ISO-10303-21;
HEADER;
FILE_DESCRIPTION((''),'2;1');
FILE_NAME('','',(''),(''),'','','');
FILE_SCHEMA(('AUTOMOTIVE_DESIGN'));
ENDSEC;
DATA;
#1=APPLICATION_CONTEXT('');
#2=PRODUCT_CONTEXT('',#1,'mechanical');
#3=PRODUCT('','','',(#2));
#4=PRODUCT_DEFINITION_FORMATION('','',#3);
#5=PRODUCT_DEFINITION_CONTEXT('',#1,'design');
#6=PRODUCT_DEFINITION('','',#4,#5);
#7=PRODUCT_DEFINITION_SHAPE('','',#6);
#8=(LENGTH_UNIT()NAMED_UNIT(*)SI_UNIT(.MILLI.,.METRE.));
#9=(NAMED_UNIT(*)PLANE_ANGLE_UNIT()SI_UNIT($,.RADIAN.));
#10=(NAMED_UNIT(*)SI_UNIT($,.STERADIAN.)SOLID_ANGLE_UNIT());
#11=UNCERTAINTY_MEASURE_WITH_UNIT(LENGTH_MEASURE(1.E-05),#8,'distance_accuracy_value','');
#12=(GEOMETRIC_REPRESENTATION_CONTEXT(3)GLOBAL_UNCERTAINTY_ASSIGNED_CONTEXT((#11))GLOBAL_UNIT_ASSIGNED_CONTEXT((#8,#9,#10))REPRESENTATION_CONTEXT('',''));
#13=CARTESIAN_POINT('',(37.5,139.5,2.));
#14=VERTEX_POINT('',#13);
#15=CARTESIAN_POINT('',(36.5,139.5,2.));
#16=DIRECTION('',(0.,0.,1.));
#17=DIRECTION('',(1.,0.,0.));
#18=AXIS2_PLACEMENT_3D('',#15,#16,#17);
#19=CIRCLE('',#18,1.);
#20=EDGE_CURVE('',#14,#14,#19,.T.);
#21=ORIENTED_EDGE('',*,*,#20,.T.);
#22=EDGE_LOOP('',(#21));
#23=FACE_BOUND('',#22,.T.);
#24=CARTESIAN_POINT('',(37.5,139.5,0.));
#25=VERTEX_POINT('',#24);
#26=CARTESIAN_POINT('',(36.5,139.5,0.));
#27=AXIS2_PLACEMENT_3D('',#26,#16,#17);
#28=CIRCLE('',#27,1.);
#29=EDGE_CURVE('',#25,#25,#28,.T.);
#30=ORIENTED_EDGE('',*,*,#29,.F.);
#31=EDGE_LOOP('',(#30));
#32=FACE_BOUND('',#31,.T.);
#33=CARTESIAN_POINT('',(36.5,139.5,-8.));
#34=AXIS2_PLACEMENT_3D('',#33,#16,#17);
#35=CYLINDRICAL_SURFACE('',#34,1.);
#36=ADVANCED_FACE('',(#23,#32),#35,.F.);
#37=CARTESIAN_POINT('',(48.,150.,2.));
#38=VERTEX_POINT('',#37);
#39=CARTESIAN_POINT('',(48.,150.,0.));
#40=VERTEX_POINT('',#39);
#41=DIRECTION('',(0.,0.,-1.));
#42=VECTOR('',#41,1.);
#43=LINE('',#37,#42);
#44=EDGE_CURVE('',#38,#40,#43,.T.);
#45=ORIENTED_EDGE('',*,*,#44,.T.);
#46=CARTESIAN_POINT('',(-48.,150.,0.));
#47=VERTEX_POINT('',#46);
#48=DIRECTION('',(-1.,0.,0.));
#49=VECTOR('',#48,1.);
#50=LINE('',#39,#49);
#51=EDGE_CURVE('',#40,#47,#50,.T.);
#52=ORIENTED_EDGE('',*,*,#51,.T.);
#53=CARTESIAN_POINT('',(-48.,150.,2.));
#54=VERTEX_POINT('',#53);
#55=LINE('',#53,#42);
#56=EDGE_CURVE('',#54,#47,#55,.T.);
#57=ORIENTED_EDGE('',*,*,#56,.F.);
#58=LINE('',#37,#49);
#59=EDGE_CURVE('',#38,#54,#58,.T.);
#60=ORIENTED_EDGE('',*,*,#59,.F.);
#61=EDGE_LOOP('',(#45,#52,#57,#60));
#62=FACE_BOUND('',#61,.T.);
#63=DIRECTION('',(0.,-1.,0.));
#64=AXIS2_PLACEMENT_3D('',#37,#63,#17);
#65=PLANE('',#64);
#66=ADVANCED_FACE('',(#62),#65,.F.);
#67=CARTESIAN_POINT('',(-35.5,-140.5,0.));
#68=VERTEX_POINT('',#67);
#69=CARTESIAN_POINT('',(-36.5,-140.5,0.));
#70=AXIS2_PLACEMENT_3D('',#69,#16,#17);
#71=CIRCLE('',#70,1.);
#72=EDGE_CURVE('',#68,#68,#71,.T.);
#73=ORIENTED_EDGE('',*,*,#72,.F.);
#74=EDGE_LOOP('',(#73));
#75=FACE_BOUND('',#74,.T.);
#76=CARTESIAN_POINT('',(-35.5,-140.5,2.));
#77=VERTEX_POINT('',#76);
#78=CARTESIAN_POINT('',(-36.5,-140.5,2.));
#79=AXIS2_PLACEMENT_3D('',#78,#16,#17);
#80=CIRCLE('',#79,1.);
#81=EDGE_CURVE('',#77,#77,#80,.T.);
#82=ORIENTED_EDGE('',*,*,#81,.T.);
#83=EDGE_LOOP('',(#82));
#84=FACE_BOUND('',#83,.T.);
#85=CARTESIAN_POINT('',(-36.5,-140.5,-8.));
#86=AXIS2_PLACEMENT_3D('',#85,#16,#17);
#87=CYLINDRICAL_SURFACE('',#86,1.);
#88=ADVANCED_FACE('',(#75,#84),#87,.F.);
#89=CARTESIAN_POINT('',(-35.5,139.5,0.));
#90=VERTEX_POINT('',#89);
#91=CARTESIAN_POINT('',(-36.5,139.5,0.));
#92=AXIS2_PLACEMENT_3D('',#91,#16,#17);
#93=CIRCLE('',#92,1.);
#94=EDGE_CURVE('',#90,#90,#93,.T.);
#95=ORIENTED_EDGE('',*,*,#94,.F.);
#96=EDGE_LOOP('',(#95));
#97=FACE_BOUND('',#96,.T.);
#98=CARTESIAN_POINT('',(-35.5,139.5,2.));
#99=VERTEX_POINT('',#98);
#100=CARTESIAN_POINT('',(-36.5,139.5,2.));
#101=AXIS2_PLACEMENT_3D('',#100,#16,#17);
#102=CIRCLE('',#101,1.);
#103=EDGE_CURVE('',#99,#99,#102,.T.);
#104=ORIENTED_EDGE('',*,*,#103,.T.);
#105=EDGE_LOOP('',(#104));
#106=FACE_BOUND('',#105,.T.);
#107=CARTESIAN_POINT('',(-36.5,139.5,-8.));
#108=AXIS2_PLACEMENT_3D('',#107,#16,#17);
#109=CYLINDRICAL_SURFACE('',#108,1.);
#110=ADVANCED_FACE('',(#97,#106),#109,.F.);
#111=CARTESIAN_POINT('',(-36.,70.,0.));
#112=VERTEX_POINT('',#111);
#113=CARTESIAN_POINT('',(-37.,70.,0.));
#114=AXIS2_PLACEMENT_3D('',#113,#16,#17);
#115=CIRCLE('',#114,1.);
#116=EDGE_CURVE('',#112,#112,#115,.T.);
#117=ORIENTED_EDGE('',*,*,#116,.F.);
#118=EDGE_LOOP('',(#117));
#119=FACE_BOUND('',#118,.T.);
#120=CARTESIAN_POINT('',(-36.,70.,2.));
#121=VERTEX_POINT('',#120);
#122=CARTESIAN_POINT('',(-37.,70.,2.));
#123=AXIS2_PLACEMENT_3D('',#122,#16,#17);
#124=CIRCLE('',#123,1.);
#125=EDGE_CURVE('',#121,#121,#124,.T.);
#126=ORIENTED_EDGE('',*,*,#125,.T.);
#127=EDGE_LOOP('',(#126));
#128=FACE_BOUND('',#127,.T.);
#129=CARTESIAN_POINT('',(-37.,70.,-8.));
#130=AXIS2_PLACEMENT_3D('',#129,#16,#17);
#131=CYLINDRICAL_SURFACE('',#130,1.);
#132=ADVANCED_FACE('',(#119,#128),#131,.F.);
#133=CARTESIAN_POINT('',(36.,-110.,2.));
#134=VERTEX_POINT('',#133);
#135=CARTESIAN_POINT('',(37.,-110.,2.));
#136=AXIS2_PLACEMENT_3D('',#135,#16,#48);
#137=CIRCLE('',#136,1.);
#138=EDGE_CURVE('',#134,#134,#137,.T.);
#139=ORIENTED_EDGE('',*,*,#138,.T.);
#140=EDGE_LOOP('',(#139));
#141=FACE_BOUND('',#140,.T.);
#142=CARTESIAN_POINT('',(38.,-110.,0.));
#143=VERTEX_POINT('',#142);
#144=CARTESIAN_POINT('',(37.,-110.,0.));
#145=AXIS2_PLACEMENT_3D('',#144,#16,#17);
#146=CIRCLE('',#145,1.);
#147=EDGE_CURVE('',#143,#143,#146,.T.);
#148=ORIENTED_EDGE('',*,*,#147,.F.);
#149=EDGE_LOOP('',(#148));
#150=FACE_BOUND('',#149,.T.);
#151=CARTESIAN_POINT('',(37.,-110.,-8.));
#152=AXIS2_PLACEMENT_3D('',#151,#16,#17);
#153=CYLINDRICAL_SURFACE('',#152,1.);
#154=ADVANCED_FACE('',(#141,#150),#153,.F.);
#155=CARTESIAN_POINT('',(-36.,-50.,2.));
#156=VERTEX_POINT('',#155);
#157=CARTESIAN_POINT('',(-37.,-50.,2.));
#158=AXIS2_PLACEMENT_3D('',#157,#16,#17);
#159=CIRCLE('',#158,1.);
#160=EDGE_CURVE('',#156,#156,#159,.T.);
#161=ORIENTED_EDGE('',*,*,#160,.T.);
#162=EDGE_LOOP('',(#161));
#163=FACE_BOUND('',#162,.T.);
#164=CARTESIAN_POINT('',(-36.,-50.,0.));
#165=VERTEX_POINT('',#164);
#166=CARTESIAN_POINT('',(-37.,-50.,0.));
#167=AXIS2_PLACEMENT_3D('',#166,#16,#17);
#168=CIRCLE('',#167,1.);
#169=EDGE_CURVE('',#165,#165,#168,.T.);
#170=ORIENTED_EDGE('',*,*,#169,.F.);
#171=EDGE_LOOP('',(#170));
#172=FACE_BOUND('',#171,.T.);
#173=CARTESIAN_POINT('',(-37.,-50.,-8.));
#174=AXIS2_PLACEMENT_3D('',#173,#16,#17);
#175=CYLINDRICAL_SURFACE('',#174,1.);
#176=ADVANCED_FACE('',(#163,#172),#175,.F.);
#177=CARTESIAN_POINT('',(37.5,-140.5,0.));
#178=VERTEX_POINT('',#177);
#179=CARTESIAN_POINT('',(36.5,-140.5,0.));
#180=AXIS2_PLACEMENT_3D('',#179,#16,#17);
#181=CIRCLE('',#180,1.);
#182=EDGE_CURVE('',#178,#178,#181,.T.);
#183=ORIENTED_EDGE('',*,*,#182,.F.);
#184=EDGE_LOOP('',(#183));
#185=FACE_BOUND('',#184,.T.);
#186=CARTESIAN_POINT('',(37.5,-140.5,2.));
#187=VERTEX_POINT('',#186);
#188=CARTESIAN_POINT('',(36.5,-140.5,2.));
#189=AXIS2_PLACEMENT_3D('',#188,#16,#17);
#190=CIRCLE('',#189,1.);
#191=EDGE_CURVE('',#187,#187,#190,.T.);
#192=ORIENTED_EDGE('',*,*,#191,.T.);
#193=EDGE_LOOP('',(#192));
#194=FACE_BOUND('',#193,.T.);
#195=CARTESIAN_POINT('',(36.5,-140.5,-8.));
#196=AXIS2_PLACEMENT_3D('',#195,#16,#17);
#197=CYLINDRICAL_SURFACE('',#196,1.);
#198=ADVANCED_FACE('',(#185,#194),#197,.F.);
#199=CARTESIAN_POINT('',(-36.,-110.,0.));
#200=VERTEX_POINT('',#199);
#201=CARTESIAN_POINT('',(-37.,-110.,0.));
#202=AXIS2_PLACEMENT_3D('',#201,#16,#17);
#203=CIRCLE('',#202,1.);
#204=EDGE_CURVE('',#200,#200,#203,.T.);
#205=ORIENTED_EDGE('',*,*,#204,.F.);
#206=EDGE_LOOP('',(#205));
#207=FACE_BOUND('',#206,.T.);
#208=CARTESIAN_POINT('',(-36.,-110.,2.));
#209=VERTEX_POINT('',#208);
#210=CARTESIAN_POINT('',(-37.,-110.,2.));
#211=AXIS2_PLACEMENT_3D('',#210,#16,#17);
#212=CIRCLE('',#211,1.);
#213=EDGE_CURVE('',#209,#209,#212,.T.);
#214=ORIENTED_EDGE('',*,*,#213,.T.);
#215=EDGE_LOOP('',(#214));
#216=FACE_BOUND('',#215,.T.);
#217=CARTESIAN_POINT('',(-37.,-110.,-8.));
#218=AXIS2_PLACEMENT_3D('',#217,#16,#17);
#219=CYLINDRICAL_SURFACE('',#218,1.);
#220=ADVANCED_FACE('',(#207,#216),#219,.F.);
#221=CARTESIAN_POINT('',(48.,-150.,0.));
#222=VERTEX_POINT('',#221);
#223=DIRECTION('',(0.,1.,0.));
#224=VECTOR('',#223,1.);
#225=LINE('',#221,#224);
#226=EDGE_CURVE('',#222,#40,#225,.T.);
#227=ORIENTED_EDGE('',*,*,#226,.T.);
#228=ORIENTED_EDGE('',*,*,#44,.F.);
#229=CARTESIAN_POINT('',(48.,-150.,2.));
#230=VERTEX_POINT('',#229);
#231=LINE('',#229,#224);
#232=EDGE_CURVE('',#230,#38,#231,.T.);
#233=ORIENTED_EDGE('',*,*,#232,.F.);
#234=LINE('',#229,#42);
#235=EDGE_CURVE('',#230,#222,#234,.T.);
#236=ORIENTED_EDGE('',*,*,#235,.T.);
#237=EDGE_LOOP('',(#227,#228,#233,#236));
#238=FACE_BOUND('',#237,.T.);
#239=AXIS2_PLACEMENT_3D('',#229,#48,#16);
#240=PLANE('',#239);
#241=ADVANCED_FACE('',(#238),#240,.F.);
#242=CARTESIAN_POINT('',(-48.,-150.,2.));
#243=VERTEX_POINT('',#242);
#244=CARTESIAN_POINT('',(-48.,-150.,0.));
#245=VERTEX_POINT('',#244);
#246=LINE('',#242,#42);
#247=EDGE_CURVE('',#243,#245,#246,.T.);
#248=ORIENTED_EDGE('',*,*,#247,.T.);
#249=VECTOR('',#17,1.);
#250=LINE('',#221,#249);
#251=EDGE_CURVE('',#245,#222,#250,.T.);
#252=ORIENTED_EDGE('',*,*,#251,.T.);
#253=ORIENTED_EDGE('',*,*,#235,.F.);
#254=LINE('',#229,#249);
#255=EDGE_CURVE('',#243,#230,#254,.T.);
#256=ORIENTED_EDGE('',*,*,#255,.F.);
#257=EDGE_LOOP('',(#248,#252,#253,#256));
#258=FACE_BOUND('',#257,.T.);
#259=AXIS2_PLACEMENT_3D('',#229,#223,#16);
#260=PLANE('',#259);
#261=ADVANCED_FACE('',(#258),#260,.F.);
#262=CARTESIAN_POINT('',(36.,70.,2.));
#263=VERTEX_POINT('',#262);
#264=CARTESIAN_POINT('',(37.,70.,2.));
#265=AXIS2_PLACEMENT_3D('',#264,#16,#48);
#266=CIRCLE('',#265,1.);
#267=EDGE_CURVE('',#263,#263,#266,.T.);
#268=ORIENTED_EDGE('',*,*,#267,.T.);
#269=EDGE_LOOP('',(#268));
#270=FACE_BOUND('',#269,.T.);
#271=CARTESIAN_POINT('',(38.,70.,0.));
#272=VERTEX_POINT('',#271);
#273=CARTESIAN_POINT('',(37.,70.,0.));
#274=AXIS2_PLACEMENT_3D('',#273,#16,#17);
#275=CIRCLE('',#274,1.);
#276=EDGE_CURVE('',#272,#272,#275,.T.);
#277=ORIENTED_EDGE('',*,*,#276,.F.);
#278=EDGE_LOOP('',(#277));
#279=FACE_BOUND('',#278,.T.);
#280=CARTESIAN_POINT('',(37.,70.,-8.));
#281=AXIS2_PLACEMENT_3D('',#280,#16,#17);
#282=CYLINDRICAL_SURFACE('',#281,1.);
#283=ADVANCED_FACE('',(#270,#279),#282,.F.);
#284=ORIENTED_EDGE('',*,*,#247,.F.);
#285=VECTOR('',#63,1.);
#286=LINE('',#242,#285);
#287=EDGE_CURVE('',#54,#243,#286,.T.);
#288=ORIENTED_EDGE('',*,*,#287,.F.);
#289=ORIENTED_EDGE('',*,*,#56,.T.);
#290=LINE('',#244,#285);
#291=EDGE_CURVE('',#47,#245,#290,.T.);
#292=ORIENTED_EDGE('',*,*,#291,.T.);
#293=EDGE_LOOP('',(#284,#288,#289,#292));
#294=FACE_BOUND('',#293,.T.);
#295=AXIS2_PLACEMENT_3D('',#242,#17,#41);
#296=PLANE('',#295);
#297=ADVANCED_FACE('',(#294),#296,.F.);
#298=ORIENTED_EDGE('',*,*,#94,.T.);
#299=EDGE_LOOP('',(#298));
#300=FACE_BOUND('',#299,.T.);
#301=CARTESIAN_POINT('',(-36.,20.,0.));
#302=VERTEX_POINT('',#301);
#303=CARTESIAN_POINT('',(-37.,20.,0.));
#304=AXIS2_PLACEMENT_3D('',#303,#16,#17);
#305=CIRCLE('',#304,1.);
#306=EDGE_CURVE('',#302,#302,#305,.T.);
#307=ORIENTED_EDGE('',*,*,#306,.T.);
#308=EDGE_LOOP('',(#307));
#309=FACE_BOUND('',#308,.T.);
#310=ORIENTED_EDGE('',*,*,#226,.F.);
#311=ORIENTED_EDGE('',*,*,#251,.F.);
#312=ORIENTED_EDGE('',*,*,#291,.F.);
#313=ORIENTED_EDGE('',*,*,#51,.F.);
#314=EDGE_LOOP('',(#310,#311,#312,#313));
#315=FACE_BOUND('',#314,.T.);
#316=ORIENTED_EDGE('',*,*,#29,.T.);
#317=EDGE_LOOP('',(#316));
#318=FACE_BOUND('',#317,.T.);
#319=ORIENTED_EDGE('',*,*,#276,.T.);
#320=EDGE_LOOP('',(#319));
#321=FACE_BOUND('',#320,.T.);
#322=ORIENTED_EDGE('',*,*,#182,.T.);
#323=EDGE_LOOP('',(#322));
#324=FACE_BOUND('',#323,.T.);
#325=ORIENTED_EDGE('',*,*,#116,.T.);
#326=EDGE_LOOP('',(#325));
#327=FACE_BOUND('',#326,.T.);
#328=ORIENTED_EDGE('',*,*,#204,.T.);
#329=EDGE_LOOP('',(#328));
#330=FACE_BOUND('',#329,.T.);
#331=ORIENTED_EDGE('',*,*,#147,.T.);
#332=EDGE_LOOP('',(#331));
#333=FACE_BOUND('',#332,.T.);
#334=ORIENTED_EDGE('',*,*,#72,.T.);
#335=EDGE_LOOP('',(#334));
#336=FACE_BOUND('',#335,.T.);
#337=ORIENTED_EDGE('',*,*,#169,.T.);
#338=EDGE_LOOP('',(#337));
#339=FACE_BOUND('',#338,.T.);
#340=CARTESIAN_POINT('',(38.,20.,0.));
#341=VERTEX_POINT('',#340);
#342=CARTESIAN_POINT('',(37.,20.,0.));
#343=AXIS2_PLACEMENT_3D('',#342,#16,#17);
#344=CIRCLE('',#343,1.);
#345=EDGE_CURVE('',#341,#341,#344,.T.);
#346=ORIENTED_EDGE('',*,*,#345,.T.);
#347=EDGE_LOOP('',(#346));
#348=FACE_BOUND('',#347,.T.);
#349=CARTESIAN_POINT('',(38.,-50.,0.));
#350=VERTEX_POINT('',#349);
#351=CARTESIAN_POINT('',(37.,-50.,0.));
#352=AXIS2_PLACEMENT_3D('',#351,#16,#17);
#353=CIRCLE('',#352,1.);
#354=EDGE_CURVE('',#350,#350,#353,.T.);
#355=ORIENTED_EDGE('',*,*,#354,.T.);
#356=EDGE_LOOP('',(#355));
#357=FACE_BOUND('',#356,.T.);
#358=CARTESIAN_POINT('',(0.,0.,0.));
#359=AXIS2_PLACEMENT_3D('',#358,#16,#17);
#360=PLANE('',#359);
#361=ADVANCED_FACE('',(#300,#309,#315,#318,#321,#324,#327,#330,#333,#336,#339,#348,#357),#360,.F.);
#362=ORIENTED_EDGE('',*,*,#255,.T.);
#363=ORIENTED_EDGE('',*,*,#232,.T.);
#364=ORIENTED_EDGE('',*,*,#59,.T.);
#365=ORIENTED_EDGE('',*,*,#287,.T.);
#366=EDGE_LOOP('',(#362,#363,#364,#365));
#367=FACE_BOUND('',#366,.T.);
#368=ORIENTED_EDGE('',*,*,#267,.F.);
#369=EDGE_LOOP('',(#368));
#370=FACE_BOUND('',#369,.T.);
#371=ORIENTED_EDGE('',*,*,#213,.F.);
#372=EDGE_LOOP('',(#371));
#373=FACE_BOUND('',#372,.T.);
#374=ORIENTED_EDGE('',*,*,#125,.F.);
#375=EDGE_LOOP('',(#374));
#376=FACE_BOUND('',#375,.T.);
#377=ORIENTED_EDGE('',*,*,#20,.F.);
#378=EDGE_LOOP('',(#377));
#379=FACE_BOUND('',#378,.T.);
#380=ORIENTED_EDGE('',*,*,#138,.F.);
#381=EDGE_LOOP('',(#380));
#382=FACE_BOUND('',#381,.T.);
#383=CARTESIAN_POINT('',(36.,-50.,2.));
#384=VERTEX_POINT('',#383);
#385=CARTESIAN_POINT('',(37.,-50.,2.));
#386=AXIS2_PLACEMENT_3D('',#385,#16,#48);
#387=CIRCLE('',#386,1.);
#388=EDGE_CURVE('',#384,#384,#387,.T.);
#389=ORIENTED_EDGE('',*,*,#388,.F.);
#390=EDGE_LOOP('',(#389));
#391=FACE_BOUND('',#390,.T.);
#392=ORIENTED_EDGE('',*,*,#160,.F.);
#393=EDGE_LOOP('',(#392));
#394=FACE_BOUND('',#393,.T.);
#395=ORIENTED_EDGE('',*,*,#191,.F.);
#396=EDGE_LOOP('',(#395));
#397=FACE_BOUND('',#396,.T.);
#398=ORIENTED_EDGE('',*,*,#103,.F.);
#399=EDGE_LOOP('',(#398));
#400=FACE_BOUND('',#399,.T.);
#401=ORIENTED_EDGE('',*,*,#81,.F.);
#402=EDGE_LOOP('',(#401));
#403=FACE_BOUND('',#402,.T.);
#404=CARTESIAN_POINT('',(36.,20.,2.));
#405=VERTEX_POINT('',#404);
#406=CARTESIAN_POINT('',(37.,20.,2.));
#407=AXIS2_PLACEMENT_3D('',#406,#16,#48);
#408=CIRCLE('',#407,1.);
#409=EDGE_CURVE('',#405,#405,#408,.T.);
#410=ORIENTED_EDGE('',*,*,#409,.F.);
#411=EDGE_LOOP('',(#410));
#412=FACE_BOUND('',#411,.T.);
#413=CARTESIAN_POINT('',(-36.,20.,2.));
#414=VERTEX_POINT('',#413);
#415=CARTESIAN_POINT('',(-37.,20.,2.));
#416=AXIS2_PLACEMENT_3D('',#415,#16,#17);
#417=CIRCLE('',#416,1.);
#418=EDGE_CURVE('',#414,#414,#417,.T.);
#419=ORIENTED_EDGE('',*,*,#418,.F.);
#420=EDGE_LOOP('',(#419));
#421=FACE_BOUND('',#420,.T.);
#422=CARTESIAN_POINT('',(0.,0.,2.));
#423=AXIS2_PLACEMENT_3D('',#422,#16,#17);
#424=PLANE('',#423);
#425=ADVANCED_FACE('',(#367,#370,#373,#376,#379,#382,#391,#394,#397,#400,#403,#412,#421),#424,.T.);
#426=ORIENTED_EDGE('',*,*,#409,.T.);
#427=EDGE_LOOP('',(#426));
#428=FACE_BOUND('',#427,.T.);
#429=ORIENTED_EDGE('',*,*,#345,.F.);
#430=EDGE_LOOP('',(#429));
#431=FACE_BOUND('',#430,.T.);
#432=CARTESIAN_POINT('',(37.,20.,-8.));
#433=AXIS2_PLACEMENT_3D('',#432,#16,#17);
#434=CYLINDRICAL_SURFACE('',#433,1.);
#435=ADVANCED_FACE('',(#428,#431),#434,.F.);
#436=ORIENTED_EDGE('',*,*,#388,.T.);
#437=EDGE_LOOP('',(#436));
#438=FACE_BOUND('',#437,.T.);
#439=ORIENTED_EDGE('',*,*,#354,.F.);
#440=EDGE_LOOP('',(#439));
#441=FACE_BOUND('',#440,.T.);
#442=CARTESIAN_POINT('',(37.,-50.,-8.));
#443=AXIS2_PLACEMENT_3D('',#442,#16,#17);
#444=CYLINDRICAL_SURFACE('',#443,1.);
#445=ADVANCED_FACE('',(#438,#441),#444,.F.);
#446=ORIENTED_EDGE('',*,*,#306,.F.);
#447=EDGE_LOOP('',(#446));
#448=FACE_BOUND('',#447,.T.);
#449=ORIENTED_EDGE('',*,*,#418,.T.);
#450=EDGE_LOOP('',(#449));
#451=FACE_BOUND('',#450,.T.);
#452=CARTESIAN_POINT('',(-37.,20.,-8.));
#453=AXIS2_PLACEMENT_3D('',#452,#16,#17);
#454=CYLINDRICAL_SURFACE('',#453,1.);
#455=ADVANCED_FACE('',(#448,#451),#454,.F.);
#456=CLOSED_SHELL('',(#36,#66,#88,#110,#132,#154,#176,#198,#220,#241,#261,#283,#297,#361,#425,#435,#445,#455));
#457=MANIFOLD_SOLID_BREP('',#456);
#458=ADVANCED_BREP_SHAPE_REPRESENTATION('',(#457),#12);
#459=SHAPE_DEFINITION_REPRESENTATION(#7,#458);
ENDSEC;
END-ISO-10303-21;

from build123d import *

# Parameters (mm, degrees)
SKETCH1_W           = 96
SKETCH1_H           = 300
BOSS_EXTRUDE1_DEPTH = 2
SKETCH2_R           = 1
CUT_EXTRUDE1_DEPTH  = 10
SKETCH3_R           = 1
CUT_EXTRUDE2_DEPTH  = 10


with BuildPart() as part:
    # Sketch1 → Boss-Extrude1 (new body)
    with BuildSketch(Plane.XY):
        Rectangle(SKETCH1_W, SKETCH1_H)
    extrude(amount=BOSS_EXTRUDE1_DEPTH)

    # Sketch2 → Cut-Extrude1 (cut)
    with BuildSketch(Plane.XY.offset(2)):
        with Locations((-37, 70)):
            Circle(SKETCH2_R)
        with Locations((-37, 20)):
            Circle(SKETCH2_R)
        with Locations((-37, -110)):
            Circle(SKETCH2_R)
        with Locations((-37, -50)):
            Circle(SKETCH2_R)
        with Locations((37, 70)):
            Circle(SKETCH2_R)
        with Locations((37, 20)):
            Circle(SKETCH2_R)
        with Locations((37, -50)):
            Circle(SKETCH2_R)
        with Locations((37, -110)):
            Circle(SKETCH2_R)
    extrude(amount=-CUT_EXTRUDE1_DEPTH, mode=Mode.SUBTRACT)

    # Sketch3 → Cut-Extrude2 (cut)
    with BuildSketch(Plane.XY.offset(2)):
        with Locations((-36.5, 139.5)):
            Circle(SKETCH3_R)
        with Locations((36.5, 139.5)):
            Circle(SKETCH3_R)
        with Locations((-36.5, -140.5)):
            Circle(SKETCH3_R)
        with Locations((36.5, -140.5)):
            Circle(SKETCH3_R)
    extrude(amount=-CUT_EXTRUDE2_DEPTH, mode=Mode.SUBTRACT)


solid = part.part
